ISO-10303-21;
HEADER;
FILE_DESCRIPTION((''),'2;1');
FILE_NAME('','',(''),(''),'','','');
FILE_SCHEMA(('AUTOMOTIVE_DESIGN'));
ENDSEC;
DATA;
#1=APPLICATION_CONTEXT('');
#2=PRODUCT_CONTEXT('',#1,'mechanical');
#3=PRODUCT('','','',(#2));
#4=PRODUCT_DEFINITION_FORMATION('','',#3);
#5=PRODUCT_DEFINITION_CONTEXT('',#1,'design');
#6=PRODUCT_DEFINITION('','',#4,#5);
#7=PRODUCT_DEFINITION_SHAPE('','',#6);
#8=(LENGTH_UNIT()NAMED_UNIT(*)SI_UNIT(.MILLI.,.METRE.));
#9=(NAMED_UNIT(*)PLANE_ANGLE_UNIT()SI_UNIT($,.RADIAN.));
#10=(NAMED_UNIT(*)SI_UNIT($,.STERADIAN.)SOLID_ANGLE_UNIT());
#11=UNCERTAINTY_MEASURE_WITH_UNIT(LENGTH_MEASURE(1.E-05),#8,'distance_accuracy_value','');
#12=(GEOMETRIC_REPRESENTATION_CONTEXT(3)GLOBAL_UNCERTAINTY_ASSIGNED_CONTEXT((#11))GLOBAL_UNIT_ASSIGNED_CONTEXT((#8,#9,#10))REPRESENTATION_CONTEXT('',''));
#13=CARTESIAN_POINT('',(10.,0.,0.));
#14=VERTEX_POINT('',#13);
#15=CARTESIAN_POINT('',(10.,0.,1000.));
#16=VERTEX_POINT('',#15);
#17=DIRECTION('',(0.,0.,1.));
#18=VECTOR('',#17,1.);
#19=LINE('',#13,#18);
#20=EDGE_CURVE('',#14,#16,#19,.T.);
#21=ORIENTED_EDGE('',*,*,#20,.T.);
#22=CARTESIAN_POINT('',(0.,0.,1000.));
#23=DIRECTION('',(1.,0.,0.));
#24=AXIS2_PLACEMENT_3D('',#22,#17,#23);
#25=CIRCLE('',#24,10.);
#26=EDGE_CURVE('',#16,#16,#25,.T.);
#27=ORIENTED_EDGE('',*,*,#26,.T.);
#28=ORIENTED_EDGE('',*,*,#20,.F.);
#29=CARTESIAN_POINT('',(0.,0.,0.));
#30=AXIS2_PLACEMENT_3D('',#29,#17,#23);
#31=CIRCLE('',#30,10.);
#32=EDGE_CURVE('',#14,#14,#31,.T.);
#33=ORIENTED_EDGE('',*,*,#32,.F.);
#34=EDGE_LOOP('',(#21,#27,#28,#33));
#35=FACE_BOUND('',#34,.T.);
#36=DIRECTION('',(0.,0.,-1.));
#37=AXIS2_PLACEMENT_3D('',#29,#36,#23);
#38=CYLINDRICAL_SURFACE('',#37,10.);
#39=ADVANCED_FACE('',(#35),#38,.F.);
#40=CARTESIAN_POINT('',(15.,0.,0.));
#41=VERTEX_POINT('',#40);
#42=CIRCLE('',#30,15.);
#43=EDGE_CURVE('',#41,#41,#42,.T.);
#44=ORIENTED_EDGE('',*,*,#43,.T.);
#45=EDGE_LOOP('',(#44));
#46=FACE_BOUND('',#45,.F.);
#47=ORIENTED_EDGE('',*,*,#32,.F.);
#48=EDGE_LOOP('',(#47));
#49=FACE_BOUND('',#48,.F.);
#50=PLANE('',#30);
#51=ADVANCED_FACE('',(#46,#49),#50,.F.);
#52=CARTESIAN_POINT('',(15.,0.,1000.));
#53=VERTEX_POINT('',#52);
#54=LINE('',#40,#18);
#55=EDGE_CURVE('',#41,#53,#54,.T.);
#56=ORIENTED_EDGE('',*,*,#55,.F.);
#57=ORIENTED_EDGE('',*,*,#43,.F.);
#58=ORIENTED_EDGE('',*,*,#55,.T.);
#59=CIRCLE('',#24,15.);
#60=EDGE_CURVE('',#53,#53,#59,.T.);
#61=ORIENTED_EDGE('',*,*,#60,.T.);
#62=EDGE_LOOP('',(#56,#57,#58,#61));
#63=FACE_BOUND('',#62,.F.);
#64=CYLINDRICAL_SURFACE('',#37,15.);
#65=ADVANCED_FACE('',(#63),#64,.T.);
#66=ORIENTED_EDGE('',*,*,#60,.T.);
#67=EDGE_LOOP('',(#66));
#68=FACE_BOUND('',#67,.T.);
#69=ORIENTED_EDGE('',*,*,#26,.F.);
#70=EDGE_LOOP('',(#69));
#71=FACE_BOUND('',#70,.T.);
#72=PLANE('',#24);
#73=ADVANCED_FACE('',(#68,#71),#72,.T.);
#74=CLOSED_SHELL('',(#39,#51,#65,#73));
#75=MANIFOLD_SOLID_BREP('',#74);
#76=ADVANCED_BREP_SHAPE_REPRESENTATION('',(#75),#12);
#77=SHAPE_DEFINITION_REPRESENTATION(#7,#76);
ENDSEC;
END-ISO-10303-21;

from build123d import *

# Parameters (mm, degrees)
CYLINDER_R     = 15
CYLINDER_DEPTH = 1000
THICKNESS_T    = -5


with BuildPart() as part:
    # Cylinder → Cylinder (new body)
    with BuildSketch(Plane.XY):
        Circle(CYLINDER_R)
    extrude(amount=CYLINDER_DEPTH)

    # Thickness
    thickness_openings = [part.faces().sort_by_distance(p)[0] for p in [
        (0, 0, 1000),
        (0, 0, 0),
    ]]
    offset(amount=THICKNESS_T, openings=thickness_openings)


solid = part.part
